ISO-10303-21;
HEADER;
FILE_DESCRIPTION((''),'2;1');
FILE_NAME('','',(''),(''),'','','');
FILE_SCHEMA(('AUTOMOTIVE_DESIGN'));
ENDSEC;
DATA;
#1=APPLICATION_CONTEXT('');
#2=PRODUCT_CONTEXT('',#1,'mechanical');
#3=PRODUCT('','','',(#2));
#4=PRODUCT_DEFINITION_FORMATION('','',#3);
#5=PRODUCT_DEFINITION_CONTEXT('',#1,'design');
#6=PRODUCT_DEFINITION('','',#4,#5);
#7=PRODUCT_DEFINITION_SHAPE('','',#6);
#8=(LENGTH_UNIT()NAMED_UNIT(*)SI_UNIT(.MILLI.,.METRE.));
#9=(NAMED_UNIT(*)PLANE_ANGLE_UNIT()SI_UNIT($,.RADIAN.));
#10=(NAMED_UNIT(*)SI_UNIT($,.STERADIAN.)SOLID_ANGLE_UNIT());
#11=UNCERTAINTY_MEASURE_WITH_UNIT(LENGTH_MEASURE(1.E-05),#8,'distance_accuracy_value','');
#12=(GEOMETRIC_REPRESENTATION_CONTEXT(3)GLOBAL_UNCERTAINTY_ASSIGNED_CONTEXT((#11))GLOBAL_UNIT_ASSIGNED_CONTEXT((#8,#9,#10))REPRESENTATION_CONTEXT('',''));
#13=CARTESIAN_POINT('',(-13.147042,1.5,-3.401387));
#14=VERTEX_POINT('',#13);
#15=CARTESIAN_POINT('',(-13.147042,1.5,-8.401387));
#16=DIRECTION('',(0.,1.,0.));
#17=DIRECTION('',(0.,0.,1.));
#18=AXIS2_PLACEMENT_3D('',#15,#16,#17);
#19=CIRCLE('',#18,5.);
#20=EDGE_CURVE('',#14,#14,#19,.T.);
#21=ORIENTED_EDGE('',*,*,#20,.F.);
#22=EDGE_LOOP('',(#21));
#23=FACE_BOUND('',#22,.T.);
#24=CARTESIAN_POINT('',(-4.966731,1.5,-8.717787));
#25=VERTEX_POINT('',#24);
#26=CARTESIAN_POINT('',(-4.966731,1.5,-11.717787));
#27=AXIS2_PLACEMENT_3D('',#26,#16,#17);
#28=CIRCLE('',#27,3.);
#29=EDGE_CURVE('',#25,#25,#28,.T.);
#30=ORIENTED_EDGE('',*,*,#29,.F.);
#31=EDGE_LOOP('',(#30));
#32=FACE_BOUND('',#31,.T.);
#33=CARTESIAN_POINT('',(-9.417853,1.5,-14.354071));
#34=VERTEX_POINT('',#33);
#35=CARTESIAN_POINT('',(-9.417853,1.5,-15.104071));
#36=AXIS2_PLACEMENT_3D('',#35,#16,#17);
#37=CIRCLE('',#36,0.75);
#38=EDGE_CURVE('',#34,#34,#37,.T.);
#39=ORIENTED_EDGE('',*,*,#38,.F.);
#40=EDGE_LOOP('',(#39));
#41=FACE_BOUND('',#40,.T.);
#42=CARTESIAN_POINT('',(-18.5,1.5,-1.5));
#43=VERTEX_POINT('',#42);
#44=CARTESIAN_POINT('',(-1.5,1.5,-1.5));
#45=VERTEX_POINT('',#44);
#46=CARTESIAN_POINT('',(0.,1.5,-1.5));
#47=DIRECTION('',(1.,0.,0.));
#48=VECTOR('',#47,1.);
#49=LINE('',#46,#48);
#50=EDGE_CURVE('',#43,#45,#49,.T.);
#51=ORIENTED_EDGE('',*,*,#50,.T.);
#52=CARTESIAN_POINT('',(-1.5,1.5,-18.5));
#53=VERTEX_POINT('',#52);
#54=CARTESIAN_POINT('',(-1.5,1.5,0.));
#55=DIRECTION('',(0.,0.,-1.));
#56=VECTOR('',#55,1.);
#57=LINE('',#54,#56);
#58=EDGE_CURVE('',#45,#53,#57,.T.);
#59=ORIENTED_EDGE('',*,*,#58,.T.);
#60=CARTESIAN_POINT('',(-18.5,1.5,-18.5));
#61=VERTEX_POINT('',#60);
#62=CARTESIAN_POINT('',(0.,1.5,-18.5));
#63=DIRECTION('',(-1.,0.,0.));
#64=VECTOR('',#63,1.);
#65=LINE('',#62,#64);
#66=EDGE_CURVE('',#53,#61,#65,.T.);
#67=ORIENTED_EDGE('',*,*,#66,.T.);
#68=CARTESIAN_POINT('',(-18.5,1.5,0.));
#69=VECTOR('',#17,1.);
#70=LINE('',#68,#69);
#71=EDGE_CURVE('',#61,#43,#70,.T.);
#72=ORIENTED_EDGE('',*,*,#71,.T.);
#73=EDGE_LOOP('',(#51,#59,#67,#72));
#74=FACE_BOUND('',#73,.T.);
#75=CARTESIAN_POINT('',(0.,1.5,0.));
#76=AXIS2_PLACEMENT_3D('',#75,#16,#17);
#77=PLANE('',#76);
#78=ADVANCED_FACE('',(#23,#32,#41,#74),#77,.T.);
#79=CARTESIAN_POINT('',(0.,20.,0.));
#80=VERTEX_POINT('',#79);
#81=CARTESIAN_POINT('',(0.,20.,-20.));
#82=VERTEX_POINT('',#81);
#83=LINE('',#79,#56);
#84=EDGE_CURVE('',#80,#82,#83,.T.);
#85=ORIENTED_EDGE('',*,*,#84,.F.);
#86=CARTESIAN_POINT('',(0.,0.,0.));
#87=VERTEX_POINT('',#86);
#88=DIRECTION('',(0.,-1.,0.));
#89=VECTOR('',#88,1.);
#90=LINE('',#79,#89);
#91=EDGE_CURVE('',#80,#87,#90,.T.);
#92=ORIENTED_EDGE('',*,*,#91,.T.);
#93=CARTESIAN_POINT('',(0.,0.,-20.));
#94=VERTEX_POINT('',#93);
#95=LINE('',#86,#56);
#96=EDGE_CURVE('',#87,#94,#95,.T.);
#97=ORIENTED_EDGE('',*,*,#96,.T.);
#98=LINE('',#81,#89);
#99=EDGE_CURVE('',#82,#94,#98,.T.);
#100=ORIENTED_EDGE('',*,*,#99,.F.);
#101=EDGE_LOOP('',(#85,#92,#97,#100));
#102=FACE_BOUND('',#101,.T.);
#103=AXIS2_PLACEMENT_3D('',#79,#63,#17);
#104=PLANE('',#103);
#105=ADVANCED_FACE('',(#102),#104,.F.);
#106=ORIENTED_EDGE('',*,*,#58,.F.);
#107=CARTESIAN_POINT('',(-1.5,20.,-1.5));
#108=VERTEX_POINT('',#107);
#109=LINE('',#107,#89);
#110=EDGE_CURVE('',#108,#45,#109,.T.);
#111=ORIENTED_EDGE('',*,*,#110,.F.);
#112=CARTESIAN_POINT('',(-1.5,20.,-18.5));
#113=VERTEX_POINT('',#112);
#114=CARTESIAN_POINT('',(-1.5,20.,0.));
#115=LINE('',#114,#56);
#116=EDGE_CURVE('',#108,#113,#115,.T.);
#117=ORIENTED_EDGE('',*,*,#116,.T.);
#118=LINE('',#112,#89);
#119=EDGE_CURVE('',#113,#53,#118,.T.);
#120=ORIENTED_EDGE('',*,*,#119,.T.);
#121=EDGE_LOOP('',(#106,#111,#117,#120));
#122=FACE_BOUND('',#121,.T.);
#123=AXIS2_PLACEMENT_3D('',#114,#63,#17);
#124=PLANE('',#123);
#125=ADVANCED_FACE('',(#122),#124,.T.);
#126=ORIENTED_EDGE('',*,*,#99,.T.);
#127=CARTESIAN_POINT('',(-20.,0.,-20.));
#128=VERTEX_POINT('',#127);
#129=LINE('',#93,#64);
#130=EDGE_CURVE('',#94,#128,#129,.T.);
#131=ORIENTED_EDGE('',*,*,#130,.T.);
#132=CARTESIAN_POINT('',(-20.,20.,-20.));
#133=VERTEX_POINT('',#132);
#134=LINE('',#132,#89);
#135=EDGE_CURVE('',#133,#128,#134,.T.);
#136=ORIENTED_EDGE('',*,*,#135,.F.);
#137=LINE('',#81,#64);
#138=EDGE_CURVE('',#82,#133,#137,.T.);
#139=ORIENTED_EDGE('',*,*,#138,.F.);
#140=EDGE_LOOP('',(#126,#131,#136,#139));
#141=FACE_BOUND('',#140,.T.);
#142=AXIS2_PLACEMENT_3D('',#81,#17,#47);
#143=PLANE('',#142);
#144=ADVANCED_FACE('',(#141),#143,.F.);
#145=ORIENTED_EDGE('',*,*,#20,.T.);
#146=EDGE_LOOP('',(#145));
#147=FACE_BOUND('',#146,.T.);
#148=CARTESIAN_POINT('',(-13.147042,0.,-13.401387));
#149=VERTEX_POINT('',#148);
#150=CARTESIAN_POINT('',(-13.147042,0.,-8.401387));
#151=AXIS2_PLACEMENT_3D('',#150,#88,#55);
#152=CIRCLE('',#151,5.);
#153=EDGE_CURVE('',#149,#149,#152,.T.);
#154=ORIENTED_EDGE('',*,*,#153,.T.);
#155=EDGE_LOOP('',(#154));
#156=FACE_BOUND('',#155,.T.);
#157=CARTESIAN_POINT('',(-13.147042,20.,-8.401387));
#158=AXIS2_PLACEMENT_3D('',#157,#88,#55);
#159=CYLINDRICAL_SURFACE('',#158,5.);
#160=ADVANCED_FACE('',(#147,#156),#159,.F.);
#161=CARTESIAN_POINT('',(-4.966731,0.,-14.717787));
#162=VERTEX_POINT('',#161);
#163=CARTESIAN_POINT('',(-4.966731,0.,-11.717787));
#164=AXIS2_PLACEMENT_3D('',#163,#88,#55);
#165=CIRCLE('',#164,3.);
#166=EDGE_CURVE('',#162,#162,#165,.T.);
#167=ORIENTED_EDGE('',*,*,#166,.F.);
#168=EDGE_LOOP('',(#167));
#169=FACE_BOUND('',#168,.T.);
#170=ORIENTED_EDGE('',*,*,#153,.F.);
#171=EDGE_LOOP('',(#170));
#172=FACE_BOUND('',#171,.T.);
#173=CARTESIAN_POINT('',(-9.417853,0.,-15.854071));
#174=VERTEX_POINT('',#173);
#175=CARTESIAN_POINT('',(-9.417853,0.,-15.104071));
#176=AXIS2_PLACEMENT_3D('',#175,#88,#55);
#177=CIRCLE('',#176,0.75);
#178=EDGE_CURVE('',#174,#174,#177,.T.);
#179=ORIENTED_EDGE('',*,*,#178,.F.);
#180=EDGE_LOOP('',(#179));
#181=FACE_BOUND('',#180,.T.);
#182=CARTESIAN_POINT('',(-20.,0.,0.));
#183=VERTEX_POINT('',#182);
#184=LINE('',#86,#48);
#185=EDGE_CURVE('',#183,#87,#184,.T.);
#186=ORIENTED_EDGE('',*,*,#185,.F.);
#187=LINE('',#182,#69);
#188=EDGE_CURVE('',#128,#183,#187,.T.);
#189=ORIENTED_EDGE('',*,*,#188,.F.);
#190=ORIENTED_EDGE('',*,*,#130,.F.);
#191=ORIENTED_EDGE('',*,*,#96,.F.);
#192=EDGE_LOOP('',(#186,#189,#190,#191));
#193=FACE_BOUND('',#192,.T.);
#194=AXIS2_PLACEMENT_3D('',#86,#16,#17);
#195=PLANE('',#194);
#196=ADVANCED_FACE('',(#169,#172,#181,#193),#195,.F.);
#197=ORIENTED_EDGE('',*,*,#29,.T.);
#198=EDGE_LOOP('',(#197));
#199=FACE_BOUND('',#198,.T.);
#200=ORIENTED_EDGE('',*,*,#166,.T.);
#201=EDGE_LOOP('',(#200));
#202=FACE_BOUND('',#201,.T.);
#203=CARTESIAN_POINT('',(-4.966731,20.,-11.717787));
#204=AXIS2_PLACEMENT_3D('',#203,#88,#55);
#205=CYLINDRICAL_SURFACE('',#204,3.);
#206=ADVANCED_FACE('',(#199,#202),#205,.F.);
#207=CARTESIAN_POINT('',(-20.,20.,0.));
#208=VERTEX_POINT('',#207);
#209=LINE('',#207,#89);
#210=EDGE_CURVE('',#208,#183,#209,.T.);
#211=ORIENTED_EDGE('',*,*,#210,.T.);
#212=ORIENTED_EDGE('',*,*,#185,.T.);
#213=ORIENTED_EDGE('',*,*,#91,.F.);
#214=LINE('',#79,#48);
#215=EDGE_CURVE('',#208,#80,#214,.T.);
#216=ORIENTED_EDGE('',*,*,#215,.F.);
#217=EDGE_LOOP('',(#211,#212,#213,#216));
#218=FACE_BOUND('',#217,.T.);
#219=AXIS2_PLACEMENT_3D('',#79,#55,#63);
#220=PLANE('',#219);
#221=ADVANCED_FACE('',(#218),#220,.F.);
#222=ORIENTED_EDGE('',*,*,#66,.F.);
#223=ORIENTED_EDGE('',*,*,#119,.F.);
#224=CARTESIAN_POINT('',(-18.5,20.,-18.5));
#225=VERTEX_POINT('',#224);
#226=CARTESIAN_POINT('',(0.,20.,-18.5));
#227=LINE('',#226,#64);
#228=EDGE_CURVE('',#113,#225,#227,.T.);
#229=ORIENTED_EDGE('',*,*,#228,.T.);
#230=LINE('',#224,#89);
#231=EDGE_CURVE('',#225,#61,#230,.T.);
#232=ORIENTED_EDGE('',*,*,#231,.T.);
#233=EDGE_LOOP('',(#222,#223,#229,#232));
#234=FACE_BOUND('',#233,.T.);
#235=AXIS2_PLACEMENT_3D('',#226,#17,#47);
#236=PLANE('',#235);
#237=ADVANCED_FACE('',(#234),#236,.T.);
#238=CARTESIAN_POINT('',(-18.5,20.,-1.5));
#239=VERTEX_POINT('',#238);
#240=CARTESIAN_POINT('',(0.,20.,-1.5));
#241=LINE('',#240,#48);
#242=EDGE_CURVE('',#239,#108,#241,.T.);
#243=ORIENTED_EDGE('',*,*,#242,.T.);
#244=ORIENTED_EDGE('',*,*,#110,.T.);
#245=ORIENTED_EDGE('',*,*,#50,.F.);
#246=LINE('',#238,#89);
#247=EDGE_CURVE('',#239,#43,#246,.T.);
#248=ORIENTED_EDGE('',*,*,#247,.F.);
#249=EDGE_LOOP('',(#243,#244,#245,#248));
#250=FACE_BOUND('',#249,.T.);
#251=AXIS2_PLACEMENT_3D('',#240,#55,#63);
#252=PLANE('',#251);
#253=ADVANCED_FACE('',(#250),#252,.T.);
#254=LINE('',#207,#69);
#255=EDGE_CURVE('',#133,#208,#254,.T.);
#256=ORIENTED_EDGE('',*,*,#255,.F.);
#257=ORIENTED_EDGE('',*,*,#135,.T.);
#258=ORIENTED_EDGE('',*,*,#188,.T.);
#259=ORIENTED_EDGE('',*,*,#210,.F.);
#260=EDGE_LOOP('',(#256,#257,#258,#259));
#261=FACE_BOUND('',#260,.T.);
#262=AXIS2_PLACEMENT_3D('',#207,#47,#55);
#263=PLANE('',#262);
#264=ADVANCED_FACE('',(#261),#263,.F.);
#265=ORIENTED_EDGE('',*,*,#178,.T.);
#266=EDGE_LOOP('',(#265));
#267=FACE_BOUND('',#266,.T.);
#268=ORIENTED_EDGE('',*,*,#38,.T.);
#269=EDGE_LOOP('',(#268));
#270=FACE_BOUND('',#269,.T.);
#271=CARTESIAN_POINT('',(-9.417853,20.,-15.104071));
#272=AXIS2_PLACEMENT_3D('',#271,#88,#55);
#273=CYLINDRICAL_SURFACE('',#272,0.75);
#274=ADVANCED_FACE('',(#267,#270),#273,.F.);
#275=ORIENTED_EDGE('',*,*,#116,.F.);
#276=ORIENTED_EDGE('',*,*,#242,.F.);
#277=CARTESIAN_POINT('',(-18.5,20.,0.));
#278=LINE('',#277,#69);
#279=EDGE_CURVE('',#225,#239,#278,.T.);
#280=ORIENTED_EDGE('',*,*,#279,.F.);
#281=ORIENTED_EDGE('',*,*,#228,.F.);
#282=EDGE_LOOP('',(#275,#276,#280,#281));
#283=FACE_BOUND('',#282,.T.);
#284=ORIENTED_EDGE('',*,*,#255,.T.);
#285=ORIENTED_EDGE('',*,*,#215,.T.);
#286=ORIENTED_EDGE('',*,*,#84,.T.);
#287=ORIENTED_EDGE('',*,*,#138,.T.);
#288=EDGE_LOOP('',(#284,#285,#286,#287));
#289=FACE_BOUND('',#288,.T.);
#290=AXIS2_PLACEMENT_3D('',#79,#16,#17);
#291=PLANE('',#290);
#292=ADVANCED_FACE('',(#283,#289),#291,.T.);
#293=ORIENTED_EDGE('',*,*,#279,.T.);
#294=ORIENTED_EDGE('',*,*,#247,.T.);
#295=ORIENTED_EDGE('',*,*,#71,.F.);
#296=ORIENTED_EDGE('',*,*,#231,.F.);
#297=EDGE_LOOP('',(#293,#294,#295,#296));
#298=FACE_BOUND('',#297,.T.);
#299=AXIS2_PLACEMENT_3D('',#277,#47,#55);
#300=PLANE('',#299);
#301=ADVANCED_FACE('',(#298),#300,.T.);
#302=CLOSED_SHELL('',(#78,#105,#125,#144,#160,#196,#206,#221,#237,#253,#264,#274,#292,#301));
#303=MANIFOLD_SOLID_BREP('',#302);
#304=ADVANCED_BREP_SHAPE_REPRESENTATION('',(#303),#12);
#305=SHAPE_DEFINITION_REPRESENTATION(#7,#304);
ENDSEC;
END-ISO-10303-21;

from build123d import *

# Parameters (mm, degrees)
SKETCH1_W           = 20
SKETCH1_H           = 20
BOSS_EXTRUDE1_DEPTH = 20
SHELL1_T            = -1.5
SKETCH2_R           = 5
SKETCH2_R_2         = 0.75
SKETCH2_R_3         = 3
CUT_EXTRUDE1_DEPTH  = 35.641016151


with BuildPart() as part:
    # Sketch1 → Boss-Extrude1 (new body)
    with BuildSketch(Plane(origin=(0, 0, 0), x_dir=(1, 0, 0), z_dir=(0, 1, 0))):
        with Locations((-10, 10)):
            Rectangle(SKETCH1_W, SKETCH1_H)
    extrude(amount=BOSS_EXTRUDE1_DEPTH)

    # Shell1
    shell1_openings = [part.faces().sort_by_distance(p)[0] for p in [
        (-10, 20, -10),
    ]]
    offset(amount=SHELL1_T, openings=shell1_openings, kind=Kind.INTERSECTION)

    # Sketch2 → Cut-Extrude1 (cut, through all)
    with BuildSketch(Plane.XZ):
        with Locations(Location((-13.147042084, -8.401387365, 0), (0, 0, 270))):
            Circle(SKETCH2_R)
        with Locations(Location((-9.417853088, -15.104070699, 0), (0, 0, 270))):
            Circle(SKETCH2_R_2)
        with Locations(Location((-4.966731055, -11.717786539, 0), (0, 0, 270))):
            Circle(SKETCH2_R_3)
    extrude(amount=-CUT_EXTRUDE1_DEPTH, mode=Mode.SUBTRACT)


solid = part.part
